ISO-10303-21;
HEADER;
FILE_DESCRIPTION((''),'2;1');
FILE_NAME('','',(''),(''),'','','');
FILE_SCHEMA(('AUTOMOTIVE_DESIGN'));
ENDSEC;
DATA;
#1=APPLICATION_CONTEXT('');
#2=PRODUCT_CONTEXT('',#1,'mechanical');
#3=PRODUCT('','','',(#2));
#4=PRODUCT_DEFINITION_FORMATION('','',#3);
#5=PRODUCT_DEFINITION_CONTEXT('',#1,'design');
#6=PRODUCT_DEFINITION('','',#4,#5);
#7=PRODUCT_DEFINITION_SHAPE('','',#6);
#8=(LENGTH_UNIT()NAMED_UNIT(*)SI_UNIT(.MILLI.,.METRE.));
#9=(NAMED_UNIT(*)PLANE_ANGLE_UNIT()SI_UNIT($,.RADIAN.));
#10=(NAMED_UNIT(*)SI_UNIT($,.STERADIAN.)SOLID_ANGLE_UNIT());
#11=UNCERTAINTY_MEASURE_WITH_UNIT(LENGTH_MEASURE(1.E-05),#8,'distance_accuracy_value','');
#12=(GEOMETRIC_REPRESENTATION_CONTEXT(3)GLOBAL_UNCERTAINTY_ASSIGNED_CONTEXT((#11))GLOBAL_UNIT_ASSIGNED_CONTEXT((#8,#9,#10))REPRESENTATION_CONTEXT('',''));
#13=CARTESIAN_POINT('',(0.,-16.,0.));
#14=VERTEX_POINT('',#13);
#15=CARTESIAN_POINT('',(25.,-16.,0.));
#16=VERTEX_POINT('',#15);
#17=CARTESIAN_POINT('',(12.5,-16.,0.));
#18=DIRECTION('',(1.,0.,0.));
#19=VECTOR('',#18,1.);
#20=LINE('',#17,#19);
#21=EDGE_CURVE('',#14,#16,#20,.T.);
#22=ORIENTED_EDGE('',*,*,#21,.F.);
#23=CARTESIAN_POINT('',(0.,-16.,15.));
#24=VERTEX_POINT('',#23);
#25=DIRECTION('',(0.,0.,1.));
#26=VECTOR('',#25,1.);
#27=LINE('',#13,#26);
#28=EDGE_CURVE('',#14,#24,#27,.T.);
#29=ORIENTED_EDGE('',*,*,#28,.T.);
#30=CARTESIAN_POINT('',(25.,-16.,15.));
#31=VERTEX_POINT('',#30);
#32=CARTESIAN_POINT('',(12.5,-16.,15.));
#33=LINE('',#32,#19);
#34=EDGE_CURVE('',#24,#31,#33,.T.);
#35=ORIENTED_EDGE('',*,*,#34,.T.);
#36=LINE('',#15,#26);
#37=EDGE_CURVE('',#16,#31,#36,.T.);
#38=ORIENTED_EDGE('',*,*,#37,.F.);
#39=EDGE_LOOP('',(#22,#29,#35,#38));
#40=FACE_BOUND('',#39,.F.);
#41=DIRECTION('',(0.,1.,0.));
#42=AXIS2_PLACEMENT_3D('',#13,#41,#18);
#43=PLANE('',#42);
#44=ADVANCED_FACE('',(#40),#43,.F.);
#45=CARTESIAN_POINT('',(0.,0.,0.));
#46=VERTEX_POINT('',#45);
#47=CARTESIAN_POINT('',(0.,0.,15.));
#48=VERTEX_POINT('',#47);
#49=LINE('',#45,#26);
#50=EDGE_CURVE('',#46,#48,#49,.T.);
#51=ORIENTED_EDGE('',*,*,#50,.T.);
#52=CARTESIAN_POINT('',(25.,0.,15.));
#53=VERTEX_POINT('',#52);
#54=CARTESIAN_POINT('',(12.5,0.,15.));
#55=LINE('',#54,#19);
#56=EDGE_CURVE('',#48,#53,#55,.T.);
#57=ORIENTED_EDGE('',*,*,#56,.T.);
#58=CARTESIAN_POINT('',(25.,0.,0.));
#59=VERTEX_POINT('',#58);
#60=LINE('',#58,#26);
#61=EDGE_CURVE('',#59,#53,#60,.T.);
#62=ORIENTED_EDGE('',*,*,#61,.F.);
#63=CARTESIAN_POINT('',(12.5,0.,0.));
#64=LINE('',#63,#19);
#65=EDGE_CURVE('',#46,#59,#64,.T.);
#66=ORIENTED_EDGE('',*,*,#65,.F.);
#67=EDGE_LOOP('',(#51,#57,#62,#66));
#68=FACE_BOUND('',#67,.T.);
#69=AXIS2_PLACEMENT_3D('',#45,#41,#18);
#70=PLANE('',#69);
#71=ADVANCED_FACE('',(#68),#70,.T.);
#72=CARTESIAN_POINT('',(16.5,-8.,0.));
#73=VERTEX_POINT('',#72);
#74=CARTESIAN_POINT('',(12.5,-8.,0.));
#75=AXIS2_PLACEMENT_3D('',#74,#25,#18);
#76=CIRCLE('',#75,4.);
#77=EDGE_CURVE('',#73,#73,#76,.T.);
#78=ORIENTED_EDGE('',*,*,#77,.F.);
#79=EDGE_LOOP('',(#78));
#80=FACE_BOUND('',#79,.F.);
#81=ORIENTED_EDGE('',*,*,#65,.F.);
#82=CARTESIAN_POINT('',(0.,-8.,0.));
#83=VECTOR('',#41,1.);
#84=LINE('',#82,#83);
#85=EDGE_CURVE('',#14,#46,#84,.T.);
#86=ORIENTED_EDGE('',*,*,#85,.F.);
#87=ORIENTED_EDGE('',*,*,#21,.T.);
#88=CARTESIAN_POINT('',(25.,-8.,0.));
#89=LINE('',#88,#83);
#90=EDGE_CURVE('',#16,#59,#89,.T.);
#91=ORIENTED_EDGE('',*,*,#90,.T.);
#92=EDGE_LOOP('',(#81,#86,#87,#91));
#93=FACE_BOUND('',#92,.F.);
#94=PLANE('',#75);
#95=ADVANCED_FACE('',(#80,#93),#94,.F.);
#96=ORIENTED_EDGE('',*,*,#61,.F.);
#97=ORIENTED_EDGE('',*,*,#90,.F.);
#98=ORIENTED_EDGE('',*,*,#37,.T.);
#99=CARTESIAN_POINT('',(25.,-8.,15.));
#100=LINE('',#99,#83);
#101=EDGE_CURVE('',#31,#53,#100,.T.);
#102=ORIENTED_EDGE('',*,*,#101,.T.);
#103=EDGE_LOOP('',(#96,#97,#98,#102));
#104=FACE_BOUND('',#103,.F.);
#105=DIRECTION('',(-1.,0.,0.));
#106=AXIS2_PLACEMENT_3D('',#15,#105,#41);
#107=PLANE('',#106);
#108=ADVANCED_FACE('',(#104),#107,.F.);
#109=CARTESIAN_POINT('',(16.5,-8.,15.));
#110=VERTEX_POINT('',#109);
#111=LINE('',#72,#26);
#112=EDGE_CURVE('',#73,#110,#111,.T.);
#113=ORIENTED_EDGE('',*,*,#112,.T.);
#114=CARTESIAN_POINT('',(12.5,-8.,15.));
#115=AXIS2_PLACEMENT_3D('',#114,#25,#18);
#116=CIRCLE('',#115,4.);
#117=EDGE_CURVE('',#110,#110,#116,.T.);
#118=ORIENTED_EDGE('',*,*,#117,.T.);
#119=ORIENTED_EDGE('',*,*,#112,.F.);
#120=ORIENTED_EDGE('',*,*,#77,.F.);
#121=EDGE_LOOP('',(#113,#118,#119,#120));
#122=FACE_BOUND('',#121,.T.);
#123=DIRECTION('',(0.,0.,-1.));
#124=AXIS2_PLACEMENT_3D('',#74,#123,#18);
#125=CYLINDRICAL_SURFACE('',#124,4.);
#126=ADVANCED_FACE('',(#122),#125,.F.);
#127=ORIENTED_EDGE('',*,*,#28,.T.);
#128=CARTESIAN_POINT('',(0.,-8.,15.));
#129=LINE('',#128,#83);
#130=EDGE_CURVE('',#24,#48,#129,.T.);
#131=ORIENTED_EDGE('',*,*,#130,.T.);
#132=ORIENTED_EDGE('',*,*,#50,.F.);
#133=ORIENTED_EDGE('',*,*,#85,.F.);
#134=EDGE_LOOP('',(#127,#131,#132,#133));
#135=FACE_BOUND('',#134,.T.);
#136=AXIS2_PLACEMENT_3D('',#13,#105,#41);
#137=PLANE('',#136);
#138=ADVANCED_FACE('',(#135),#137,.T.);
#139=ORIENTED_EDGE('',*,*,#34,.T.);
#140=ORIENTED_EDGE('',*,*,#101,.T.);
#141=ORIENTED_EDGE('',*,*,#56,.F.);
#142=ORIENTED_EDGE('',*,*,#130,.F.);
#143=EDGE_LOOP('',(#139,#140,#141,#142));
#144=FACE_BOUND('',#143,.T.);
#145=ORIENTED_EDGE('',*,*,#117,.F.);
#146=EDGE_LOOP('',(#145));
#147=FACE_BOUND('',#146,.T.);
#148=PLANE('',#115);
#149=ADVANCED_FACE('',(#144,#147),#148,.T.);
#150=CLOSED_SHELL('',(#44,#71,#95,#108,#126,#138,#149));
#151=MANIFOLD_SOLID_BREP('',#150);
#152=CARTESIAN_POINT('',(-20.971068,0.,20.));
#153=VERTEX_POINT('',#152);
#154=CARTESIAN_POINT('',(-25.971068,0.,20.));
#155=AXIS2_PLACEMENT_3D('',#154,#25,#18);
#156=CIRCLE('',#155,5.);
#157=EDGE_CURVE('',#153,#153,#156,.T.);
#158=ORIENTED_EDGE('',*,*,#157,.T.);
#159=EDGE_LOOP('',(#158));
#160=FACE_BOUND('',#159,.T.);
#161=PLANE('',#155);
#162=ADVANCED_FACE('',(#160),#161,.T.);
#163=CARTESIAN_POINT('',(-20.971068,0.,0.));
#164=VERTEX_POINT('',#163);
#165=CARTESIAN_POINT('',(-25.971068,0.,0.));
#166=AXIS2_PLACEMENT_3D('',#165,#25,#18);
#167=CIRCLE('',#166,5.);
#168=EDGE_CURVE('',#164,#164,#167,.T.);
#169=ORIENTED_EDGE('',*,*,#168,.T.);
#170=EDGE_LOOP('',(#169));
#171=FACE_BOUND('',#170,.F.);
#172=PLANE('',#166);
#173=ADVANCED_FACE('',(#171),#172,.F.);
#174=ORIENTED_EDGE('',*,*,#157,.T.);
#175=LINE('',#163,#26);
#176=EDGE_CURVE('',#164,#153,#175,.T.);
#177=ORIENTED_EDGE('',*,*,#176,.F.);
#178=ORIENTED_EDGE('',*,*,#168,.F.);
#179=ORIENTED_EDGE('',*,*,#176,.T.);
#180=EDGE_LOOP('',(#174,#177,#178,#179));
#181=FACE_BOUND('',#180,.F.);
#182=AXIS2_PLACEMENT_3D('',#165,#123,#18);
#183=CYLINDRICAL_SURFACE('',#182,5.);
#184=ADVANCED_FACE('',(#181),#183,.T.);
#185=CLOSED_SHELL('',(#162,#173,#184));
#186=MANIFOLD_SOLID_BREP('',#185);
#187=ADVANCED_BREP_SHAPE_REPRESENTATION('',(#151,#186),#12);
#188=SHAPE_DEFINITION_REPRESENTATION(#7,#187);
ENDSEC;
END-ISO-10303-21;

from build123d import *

# Parameters (mm, degrees)
F0_W     = 25
F0_H     = 16
F0_R     = 4
F1_DEPTH = 15
F2_R     = 5
F3_DEPTH = 20


with BuildPart() as f1:
    # F0 (on Top) → F1 (new body)
    with BuildSketch(Plane.XY):
        with Locations((12.5, -8)):
            Rectangle(F0_W, F0_H)
        with Locations((12.5, -8)):
            Circle(F0_R, mode=Mode.SUBTRACT)
    extrude(amount=F1_DEPTH)


with BuildPart() as f3:
    # F2 (on Top) → F3 (new body)
    with BuildSketch(Plane.XY):
        with Locations((-25.971068, 0)):
            Circle(F2_R)
    extrude(amount=F3_DEPTH)


solid = Compound([f1.part, f3.part])
